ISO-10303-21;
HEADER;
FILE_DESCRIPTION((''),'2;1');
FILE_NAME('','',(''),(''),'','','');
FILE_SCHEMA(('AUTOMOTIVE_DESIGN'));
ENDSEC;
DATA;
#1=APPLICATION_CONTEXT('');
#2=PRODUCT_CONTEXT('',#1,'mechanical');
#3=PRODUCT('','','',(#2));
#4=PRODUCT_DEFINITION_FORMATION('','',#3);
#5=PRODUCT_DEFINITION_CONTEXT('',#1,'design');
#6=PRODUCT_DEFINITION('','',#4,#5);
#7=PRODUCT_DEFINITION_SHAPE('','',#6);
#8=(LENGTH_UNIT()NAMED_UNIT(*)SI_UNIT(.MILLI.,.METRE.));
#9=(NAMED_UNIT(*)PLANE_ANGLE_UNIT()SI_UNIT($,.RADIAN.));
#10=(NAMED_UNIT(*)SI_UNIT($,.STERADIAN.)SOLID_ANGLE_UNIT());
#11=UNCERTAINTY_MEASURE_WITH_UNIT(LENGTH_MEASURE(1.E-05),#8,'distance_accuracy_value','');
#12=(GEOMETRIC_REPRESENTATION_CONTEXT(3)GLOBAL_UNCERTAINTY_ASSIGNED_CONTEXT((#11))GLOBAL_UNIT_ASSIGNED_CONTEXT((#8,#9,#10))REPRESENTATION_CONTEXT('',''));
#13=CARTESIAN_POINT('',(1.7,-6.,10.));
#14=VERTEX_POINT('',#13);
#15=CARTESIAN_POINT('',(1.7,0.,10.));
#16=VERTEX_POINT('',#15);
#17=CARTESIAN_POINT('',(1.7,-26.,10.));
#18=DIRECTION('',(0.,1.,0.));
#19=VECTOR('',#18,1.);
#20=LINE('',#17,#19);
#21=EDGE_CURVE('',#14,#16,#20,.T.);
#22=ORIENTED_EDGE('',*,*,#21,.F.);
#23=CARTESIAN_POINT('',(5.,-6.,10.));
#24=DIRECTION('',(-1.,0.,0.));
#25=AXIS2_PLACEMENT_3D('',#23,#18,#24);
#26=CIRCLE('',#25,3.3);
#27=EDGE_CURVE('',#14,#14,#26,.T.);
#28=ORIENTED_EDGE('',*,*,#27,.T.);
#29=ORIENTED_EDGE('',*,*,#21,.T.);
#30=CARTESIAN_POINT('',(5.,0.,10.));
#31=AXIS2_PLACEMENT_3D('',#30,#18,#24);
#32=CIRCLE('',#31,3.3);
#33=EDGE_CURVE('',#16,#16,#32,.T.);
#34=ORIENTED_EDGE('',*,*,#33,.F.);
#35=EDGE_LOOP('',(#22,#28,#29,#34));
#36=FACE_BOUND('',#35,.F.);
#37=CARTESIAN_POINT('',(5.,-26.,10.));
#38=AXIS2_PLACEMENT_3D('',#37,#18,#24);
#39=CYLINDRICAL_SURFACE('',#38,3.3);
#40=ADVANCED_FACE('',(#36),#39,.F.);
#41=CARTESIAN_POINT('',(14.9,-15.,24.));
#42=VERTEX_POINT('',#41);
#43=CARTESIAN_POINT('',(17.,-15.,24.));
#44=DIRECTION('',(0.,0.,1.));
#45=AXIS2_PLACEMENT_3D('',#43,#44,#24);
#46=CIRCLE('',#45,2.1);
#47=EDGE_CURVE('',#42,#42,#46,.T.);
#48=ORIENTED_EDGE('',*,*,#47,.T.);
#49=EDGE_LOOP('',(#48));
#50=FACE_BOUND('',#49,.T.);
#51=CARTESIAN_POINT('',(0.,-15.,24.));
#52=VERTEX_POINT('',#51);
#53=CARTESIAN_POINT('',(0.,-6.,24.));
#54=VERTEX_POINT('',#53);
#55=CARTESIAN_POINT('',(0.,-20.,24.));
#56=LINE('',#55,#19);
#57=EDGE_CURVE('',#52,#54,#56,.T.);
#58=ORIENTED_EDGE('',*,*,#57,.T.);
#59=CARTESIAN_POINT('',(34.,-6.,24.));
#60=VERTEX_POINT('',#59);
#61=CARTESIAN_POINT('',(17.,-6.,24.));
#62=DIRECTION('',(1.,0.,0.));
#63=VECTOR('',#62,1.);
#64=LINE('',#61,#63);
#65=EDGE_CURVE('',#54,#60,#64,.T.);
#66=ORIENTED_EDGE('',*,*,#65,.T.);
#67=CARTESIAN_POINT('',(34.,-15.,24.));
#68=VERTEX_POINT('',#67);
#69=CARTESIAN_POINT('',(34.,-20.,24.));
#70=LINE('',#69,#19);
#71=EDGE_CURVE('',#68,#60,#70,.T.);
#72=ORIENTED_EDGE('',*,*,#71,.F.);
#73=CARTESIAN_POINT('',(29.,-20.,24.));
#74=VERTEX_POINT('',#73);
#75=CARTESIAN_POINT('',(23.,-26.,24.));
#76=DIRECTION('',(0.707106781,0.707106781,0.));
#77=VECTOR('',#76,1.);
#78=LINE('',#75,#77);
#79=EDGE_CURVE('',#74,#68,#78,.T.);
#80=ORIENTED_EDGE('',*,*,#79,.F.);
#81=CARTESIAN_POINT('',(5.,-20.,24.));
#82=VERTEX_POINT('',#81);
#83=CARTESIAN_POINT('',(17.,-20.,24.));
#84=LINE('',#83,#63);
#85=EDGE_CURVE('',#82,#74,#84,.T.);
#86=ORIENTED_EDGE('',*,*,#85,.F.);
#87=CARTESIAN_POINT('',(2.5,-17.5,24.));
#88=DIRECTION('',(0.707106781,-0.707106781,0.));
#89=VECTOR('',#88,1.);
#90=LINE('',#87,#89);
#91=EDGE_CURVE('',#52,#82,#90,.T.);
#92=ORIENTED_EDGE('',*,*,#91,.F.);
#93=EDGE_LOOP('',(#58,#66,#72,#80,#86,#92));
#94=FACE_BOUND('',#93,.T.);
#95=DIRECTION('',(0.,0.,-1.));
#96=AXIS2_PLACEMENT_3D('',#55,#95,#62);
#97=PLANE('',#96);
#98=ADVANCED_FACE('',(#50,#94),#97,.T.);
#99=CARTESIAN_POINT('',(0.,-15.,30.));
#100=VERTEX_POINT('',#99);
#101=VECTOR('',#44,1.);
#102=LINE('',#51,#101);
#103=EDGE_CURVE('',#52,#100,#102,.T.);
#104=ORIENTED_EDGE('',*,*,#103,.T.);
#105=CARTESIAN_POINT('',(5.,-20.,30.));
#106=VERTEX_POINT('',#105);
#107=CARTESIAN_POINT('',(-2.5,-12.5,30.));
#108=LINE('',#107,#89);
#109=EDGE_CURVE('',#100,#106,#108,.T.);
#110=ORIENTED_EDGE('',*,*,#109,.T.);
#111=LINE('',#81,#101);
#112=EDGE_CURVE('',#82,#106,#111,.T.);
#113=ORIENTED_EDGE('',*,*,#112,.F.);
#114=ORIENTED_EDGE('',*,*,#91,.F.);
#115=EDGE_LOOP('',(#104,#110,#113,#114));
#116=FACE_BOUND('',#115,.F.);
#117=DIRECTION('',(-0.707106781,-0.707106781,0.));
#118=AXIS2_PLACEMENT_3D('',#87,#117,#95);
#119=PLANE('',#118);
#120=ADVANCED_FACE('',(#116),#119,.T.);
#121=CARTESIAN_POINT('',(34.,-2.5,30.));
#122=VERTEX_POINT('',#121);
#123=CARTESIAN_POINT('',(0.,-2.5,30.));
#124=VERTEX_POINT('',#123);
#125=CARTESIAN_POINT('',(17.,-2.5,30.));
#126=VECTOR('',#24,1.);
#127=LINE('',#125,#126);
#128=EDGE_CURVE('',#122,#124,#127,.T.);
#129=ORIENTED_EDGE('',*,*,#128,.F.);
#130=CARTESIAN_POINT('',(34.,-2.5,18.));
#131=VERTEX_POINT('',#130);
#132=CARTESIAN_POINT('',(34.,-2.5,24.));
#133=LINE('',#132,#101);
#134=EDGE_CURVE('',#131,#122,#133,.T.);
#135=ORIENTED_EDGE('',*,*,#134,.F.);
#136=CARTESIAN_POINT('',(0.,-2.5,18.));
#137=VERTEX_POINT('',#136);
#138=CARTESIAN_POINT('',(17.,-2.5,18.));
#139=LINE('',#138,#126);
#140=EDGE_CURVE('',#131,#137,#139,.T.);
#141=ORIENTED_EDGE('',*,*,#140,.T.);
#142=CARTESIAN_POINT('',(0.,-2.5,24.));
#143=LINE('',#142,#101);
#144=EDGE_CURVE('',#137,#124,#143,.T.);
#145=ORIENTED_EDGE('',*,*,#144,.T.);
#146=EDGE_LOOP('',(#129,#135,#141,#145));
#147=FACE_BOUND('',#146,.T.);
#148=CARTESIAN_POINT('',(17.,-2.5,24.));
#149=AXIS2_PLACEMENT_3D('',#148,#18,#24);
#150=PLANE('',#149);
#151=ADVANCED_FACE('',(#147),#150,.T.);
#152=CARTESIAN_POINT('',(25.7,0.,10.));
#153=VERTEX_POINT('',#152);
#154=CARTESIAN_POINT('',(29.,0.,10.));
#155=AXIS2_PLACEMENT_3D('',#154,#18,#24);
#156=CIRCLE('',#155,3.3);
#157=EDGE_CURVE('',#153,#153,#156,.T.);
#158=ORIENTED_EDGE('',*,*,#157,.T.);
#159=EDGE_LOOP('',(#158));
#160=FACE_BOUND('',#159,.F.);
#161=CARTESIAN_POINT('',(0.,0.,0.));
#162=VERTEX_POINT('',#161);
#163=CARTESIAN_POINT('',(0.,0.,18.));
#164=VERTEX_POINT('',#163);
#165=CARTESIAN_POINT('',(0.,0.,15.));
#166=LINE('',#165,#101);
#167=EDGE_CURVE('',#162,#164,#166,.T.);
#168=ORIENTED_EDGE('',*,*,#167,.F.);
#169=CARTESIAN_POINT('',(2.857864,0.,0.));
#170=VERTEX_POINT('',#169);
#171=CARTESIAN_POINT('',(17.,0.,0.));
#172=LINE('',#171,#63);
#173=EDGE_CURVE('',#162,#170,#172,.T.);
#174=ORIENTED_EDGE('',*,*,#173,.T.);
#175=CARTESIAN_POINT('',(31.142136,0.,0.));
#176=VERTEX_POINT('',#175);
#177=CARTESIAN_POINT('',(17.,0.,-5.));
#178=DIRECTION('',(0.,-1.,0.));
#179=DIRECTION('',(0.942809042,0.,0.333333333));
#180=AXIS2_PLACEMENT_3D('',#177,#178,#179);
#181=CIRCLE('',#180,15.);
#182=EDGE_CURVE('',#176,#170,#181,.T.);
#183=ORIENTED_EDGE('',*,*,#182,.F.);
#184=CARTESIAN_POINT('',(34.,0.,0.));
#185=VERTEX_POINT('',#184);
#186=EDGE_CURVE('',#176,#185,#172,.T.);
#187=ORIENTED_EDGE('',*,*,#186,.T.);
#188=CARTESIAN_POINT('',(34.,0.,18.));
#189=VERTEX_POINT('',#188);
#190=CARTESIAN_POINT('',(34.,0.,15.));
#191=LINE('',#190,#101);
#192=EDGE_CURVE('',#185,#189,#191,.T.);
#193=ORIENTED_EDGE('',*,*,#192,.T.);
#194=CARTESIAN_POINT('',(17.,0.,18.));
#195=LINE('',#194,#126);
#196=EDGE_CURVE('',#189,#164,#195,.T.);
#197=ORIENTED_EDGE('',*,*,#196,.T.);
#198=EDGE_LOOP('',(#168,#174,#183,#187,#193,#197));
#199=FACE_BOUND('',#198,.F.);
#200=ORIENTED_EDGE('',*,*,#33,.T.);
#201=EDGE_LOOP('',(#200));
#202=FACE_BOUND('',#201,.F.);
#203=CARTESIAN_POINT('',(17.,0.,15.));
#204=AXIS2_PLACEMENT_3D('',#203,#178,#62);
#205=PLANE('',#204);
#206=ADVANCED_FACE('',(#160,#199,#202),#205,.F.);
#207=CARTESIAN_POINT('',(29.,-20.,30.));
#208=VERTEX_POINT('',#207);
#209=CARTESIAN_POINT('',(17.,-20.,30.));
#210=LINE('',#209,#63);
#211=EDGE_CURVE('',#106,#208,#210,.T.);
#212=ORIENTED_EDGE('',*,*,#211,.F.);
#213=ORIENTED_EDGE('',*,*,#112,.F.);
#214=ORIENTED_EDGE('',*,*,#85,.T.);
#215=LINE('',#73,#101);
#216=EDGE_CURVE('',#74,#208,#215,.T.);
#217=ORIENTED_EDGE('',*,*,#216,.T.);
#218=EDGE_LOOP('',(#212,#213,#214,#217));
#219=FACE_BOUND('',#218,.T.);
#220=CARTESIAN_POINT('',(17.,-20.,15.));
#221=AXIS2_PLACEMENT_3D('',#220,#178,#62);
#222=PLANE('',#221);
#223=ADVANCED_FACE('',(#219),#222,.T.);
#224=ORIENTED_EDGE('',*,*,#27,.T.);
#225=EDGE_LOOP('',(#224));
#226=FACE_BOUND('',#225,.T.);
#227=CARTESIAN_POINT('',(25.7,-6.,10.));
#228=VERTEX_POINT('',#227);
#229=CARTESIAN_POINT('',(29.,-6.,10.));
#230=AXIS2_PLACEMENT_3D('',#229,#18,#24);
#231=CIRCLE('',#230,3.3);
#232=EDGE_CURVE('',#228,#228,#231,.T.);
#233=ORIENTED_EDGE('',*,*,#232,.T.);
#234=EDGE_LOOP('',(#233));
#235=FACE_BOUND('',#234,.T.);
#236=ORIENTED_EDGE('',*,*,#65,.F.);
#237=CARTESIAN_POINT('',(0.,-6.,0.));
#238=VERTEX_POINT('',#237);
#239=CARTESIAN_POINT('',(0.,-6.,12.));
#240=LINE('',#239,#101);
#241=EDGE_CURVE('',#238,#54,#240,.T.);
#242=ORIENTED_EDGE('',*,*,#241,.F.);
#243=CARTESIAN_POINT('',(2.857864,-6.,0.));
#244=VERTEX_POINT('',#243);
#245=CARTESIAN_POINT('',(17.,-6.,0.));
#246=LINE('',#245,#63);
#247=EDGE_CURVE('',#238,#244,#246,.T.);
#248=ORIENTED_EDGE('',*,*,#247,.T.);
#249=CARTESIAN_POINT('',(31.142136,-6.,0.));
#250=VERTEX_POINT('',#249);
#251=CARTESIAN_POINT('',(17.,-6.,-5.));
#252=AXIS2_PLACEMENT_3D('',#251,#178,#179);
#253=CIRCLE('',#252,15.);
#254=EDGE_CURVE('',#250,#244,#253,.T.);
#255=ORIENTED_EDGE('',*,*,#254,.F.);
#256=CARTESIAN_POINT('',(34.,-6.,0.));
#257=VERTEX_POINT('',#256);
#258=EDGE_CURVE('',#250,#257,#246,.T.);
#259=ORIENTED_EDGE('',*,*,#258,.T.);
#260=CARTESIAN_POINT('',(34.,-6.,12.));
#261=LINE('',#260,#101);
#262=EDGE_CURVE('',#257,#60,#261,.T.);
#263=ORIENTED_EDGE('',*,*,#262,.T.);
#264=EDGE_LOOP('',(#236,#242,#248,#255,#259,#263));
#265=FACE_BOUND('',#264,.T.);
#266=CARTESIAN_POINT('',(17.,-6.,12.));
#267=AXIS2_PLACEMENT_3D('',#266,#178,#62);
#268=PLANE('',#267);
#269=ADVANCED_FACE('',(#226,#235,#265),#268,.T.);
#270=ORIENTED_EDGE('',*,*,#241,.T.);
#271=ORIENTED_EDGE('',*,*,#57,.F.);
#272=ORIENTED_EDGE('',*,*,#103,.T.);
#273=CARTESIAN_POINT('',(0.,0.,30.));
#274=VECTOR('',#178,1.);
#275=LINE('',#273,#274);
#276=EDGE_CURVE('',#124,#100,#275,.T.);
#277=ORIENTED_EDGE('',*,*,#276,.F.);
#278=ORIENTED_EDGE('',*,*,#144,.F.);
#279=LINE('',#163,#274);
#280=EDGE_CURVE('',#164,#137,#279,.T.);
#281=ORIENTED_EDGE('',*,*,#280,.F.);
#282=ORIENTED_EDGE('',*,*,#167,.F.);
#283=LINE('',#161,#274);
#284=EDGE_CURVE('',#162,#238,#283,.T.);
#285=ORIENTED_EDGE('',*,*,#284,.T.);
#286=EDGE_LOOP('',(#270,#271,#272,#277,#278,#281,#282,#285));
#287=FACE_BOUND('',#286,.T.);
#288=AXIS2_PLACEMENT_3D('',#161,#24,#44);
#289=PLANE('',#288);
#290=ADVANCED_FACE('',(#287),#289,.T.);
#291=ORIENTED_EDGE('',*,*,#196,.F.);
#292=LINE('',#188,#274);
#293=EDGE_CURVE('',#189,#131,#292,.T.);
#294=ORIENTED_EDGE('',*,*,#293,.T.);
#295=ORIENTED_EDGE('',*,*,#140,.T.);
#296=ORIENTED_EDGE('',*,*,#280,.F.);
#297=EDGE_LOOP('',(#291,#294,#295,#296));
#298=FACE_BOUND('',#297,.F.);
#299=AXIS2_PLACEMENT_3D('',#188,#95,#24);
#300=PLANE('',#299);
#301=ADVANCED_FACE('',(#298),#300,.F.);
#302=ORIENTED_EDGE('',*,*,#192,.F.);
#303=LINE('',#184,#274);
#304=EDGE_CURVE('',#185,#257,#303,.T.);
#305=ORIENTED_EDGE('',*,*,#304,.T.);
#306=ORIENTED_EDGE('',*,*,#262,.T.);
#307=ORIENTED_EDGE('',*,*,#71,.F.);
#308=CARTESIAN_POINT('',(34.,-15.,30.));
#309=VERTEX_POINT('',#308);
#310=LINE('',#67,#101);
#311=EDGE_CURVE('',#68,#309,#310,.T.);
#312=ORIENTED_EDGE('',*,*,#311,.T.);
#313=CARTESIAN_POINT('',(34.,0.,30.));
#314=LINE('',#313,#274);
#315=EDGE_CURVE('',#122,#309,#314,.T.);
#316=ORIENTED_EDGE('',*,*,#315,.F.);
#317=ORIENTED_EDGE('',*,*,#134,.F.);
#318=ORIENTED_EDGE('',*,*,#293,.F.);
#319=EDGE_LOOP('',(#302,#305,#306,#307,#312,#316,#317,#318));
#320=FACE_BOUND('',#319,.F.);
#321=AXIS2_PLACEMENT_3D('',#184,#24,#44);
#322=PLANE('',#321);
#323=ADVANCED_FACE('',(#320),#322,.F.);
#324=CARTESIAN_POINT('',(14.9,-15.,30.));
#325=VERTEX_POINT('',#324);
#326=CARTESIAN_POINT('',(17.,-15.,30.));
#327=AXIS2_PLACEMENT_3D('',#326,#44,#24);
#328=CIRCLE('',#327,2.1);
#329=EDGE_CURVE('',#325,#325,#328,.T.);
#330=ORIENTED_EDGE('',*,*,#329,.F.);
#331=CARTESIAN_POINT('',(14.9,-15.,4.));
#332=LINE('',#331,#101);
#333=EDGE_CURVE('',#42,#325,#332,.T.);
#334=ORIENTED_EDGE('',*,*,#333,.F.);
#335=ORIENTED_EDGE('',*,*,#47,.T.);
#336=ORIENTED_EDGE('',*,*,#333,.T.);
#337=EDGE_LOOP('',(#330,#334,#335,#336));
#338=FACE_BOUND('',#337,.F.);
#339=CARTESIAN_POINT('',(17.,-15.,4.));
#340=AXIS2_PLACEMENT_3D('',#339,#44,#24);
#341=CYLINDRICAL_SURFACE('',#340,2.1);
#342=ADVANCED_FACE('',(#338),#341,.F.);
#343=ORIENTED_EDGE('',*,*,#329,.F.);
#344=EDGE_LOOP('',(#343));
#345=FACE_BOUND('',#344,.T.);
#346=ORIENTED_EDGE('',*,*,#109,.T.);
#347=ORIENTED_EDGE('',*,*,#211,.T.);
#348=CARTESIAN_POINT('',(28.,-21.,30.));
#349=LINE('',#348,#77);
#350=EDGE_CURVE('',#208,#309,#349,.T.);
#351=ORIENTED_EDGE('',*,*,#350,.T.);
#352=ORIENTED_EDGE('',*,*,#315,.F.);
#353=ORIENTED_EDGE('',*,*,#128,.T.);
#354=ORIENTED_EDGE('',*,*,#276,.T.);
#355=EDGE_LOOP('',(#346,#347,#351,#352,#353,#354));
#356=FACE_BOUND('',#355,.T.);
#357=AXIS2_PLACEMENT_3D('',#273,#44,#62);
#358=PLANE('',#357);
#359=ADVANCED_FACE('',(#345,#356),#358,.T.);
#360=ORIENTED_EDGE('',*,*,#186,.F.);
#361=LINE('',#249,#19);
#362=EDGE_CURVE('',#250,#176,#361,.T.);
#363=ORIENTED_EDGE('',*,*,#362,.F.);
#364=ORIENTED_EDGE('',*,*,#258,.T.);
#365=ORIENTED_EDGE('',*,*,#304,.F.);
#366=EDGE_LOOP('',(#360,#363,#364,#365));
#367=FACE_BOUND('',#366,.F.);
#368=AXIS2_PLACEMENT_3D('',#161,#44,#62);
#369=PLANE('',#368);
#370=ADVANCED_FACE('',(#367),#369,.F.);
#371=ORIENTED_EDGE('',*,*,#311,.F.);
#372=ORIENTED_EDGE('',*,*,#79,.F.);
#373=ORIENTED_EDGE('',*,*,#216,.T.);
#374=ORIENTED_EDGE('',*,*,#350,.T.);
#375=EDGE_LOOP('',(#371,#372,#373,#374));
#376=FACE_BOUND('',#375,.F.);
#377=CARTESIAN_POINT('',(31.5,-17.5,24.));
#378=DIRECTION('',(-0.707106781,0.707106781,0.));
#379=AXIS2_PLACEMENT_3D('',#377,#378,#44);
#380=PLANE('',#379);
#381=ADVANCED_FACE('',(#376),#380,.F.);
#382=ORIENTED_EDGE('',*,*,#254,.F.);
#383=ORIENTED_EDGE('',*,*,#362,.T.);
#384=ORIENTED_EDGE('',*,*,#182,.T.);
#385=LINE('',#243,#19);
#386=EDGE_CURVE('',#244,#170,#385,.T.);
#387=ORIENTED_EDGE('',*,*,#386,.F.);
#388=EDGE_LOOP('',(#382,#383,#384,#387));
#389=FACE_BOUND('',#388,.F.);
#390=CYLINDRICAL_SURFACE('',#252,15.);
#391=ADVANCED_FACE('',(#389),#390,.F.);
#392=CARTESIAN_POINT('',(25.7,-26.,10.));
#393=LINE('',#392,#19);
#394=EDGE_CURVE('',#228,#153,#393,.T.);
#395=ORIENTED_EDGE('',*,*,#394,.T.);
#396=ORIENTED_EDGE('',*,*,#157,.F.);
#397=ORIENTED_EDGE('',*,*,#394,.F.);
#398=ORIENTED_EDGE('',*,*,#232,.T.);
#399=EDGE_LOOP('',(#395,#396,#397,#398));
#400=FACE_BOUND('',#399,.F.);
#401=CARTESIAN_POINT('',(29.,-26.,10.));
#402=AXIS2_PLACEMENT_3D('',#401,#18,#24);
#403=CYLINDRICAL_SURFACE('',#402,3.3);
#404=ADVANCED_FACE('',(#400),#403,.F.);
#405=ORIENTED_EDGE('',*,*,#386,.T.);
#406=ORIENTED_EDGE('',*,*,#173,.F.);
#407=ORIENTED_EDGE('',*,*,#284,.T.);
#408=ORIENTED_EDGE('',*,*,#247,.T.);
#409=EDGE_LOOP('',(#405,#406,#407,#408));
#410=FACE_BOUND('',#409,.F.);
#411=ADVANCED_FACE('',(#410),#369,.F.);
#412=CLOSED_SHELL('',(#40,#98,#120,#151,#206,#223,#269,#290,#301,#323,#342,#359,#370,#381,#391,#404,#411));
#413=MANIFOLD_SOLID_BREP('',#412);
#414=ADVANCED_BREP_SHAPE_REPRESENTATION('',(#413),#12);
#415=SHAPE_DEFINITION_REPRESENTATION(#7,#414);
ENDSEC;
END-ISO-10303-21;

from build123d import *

# Parameters (mm, degrees)
F0_W      = 34
F0_H      = 30
F1_DEPTH  = 20
F2_W      = 34
F2_H      = 24
F3_DEPTH  = 14
F5_D      = 4.2
F5_DEPTH  = 20
F5_TIP    = 1.2618073
F6_SIZE   = 5
F8_DEPTH  = 25
F9_D      = 6.6
F9_DEPTH  = 20
F9_TIP    = 1.9828400428
F10_W     = 34
F10_H     = 12
F11_DEPTH = 2.5


with BuildPart() as f1:
    # F0 (on Front) → F1 (new body)
    with BuildSketch(Plane.XZ):
        with Locations((17, 15)):
            Rectangle(F0_W, F0_H)
    extrude(amount=F1_DEPTH)

    # F2 (on face) → F3 (cut)
    with BuildSketch(Plane.XZ.offset(20)):
        with Locations((17, 12)):
            Rectangle(F2_W, F2_H)
    extrude(amount=-F3_DEPTH, mode=Mode.SUBTRACT)

    # F5
    with Locations(Plane(origin=(0, 0, 24), x_dir=(1, 0, 0), z_dir=(0, 0, -1))):
        with Locations((17, 15)):
            Hole(F5_D / 2, depth=F5_DEPTH)
            with Locations((0, 0, -(F5_DEPTH + F5_TIP / 2))):  # 118° drill point
                Cone(0, F5_D / 2, F5_TIP, mode=Mode.SUBTRACT)

    # F6
    f6_edges = [f1.edges().sort_by_distance(p)[0] for p in [
        (34, -20, 27),
        (0, -20, 27),
    ]]
    chamfer(f6_edges, length=F6_SIZE)

    # F7 (on face) → F8 (cut)
    with BuildSketch(Plane.XZ.offset(6)):
        with BuildLine():
            ThreePointArc((2.8578643763, 0), (14.4634703191, -19.7839783948), (32, -5))
            ThreePointArc((32, -5), (31.7839783948, -2.4634703191), (31.1421356237, 0))
            Line((31.1421356237, 0), (2.8578643763, 0))
        make_face()
        with BuildLine():
            Line((2.8578643763, 0), (31.1421356237, 0))
            ThreePointArc((31.1421356237, 0), (17, 10), (2.8578643763, 0))
        make_face()
    extrude(amount=-F8_DEPTH, mode=Mode.SUBTRACT)

    # F9
    with Locations(Plane.XZ.offset(6)):
        with Locations((5, 10), (29, 10)):
            Hole(F9_D / 2, depth=F9_DEPTH)
            with Locations((0, 0, -(F9_DEPTH + F9_TIP / 2))):  # 118° drill point
                Cone(0, F9_D / 2, F9_TIP, mode=Mode.SUBTRACT)

    # F10 (on face) → F11 (cut)
    with BuildSketch(Plane(origin=(0, 0, 0), x_dir=(-1, 0, 0), z_dir=(0, 1, 0))):
        with Locations((-17, 24)):
            Rectangle(F10_W, F10_H)
    extrude(amount=-F11_DEPTH, mode=Mode.SUBTRACT)


solid = f1.part
